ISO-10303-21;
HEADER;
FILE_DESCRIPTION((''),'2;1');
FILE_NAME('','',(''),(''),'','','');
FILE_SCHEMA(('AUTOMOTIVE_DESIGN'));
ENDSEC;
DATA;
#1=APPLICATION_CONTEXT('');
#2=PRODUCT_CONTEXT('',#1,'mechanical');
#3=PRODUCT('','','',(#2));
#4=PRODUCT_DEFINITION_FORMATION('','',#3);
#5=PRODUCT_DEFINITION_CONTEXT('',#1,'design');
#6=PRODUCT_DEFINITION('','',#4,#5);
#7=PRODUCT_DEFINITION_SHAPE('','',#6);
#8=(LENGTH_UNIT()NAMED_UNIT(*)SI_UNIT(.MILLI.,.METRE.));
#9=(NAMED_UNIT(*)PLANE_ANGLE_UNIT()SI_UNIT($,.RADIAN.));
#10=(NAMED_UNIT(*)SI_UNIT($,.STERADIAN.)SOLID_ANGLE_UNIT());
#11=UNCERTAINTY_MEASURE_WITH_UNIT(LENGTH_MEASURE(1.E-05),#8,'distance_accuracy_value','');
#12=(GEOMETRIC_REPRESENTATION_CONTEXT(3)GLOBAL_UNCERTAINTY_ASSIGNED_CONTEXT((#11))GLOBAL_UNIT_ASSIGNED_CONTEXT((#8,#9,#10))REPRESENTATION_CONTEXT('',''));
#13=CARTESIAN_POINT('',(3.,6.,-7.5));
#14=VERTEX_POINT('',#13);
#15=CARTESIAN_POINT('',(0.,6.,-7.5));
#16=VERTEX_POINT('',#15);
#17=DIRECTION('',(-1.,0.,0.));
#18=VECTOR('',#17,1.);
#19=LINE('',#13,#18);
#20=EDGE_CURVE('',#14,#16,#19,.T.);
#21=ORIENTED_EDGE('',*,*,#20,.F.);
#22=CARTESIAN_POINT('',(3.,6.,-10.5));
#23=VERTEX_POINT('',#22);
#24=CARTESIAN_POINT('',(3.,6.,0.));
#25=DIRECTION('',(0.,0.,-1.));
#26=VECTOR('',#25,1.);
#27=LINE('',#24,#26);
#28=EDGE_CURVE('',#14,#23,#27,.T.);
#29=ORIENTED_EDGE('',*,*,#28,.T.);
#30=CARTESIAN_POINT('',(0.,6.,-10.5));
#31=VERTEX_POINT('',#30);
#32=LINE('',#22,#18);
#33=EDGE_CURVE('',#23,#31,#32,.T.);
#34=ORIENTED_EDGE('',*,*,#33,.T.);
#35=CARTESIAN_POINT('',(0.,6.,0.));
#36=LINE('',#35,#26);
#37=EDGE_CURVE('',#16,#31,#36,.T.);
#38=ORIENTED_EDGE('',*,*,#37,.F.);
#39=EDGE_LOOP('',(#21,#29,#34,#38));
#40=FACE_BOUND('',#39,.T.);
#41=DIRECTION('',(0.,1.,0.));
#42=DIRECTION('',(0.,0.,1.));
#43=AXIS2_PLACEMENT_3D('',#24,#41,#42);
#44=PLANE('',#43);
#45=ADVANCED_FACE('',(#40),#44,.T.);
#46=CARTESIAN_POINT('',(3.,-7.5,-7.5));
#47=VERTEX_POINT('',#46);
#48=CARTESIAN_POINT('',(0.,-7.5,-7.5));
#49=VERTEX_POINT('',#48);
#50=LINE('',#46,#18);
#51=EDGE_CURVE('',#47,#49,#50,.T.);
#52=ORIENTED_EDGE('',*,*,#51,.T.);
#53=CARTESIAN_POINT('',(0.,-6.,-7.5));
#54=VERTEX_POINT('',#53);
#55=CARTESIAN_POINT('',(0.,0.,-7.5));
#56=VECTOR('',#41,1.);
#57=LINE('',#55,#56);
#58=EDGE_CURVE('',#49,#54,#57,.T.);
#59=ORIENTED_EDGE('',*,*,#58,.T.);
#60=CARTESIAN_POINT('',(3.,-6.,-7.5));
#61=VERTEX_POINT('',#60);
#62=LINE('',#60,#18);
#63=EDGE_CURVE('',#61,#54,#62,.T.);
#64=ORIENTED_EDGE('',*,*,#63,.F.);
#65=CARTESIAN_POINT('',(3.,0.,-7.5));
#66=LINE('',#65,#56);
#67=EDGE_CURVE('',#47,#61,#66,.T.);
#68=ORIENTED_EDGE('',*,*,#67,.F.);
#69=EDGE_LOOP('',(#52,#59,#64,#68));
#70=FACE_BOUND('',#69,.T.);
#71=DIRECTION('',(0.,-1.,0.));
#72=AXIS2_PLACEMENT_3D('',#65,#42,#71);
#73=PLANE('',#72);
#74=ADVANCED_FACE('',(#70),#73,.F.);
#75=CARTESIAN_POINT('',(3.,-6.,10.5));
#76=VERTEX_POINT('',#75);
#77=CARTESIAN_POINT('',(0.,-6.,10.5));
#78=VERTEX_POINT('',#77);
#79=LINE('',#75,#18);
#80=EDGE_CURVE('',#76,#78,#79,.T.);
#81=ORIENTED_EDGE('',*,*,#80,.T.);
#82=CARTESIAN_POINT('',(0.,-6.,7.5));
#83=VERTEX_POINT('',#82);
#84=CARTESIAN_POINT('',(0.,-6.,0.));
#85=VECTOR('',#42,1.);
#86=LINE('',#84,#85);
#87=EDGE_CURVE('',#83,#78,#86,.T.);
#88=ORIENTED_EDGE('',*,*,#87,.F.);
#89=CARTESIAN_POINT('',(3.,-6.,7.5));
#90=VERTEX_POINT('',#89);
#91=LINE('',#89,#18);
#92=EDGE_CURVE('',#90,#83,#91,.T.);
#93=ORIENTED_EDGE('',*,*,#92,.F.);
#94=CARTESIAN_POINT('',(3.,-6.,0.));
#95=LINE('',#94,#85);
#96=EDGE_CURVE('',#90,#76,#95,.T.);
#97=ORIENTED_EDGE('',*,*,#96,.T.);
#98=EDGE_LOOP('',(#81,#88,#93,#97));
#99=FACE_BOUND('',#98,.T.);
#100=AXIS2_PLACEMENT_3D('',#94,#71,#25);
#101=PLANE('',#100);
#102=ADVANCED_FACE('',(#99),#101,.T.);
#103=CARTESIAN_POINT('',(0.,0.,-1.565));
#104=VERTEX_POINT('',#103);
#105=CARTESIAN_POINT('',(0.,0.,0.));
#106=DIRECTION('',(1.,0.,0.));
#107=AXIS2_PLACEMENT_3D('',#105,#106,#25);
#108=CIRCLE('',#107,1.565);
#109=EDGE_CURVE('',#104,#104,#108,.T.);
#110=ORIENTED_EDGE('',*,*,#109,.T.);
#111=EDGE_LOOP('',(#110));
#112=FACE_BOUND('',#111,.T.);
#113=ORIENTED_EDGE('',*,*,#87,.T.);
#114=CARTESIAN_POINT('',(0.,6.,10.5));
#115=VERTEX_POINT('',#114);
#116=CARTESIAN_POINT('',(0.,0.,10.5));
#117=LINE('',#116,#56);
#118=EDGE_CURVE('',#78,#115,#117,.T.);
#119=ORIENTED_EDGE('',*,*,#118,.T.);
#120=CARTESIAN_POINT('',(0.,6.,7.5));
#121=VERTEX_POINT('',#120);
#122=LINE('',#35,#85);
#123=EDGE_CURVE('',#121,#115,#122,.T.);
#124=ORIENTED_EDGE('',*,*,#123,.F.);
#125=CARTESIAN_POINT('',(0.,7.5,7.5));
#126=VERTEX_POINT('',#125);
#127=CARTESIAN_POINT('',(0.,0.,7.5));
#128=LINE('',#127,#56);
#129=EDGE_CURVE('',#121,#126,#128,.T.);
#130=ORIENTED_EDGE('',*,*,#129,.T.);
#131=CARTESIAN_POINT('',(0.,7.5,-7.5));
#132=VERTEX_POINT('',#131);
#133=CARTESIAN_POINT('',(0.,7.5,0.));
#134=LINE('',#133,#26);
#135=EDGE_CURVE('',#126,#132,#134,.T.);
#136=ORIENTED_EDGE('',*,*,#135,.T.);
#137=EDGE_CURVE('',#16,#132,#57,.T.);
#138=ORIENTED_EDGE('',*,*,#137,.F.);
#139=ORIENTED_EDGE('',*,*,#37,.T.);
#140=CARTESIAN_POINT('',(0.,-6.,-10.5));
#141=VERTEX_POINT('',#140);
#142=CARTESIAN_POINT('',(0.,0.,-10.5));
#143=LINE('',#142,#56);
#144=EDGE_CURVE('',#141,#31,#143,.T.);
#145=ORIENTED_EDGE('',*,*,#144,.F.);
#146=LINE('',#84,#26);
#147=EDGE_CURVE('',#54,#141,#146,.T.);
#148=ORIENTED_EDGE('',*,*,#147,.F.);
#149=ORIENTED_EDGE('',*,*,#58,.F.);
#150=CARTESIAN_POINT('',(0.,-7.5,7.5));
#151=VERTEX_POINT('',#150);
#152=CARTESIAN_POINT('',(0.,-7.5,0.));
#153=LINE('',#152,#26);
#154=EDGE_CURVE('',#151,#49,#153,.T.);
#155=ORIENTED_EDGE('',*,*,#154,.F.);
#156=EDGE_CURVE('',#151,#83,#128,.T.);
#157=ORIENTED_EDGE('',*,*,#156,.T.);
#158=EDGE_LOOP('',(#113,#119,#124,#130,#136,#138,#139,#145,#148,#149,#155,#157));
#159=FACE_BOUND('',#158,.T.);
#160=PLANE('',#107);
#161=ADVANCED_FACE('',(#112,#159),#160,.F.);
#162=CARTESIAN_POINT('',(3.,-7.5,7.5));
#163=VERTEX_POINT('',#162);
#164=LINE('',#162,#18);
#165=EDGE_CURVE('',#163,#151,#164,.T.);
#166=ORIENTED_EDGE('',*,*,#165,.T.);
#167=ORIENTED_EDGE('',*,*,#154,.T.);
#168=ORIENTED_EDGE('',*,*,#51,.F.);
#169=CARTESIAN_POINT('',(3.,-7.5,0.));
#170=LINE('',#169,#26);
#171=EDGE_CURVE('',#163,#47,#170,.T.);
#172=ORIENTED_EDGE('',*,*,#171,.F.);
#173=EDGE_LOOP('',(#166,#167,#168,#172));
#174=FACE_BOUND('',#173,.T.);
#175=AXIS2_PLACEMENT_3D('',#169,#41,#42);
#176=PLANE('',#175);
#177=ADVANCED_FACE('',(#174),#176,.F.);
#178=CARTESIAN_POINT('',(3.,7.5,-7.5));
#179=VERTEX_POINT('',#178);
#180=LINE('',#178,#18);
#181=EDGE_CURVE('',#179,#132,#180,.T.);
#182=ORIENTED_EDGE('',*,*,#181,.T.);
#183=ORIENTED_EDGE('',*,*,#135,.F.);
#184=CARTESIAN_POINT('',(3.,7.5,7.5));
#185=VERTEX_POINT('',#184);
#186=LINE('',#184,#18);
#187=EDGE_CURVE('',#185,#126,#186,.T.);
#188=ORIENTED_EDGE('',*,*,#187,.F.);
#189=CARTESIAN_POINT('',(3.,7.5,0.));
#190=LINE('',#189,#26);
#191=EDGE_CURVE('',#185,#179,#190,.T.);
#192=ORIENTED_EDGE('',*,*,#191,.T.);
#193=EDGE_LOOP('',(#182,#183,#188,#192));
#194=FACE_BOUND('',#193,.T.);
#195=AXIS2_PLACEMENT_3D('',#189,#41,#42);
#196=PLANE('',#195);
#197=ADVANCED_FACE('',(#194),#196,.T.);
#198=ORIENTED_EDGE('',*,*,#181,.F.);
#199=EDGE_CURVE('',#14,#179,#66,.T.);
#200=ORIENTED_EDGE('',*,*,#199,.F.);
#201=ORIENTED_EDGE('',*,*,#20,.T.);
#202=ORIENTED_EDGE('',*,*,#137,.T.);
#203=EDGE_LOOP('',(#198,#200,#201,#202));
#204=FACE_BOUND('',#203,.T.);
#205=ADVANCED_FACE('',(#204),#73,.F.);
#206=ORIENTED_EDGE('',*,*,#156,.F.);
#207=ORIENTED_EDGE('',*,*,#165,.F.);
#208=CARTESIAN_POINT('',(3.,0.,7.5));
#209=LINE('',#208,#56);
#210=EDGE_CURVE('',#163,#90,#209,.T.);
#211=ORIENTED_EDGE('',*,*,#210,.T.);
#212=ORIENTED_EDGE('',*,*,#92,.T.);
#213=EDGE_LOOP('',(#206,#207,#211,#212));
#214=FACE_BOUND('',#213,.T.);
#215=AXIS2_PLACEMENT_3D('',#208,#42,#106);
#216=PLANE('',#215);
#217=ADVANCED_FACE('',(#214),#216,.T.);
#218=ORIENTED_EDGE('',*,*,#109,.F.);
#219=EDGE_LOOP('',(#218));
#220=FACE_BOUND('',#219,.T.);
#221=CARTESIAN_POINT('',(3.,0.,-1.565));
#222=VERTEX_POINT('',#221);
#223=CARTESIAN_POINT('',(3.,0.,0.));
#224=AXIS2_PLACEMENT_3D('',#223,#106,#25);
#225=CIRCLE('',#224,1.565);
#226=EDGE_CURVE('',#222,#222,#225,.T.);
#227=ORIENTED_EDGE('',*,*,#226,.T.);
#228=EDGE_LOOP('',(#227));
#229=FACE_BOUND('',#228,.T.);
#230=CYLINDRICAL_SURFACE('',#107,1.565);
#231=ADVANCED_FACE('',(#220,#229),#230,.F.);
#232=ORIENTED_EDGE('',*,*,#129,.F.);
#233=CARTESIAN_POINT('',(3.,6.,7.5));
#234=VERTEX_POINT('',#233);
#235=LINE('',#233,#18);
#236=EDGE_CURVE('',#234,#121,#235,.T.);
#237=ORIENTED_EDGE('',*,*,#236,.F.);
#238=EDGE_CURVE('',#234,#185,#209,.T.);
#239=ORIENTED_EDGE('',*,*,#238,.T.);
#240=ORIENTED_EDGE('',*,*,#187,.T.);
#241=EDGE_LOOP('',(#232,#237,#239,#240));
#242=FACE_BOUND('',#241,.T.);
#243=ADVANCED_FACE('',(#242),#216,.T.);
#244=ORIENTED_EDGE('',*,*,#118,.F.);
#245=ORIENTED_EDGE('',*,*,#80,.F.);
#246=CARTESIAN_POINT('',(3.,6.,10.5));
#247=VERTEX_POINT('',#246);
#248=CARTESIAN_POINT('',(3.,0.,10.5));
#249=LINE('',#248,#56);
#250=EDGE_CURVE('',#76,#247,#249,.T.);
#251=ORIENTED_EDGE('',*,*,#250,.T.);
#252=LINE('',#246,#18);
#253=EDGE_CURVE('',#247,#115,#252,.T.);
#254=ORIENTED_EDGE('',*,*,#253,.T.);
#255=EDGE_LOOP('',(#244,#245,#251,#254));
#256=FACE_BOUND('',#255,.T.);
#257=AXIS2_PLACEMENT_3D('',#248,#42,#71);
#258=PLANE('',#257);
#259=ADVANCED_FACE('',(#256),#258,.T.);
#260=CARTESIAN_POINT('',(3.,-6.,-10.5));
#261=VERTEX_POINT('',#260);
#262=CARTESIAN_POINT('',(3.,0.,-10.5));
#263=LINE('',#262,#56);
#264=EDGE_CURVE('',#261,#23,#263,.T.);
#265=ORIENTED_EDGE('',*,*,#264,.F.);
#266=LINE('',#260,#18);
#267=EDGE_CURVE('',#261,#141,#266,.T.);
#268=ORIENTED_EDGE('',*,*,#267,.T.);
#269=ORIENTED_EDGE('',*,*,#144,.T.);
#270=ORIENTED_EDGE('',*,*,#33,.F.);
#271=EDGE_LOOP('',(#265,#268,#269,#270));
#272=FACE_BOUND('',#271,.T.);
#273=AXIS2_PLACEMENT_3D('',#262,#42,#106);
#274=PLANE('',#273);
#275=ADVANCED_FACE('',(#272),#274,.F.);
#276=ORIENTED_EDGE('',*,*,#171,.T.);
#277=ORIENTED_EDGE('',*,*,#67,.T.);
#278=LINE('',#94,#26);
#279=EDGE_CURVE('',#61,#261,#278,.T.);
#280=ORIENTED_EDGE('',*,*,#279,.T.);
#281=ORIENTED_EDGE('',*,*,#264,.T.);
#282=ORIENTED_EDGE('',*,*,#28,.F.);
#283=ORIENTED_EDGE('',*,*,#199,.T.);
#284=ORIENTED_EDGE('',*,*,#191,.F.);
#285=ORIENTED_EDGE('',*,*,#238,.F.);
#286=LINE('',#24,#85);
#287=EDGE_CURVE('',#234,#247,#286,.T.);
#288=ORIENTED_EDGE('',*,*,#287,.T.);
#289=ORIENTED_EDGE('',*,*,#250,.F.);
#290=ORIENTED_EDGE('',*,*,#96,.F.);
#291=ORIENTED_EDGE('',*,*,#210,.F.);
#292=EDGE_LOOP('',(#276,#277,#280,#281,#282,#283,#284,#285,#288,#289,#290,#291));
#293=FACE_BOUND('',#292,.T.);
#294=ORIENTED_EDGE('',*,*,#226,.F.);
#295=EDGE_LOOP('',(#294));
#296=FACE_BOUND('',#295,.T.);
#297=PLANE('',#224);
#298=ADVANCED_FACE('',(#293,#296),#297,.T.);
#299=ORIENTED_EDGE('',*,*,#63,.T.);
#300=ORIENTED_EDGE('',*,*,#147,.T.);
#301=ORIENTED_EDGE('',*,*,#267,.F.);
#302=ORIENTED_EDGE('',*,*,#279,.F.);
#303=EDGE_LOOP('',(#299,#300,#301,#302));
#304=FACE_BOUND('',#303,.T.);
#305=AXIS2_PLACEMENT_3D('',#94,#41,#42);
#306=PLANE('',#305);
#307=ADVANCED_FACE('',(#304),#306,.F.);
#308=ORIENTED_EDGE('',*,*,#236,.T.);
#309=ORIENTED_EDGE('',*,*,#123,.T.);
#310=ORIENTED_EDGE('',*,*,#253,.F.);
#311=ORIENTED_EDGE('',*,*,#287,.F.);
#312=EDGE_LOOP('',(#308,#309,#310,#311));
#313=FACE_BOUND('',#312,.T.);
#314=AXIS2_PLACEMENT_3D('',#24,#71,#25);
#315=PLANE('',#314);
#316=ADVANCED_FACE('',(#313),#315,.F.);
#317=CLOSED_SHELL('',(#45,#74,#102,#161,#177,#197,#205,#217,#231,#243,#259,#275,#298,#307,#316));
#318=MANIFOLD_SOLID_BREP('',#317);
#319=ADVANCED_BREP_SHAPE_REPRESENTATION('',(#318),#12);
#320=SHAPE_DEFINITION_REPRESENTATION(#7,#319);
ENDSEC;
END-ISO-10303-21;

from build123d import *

# Parameters (mm, degrees)
SKICA1_W                 = 3
SKICA1_H                 = 12
SKICA1_W_2               = 15
SKICA1_H_2               = 15
P_IDAT_VYSUNUT_M1_DEPTH  = 3
SKICA2_R                 = 1.565
ODEBRAT_VYSUNUT_M1_DEPTH = 3


with BuildPart() as part:
    # Skica1 → Přidat vysunutím1 (new body)
    with BuildSketch(Plane(origin=(0, 0, 0), x_dir=(0, 0, -1), z_dir=(1, 0, 0))):
        with Locations((9, 0)):
            Rectangle(SKICA1_W, SKICA1_H)
        Rectangle(SKICA1_W_2, SKICA1_H_2)
        with Locations((-9, 0)):
            Rectangle(SKICA1_W, SKICA1_H)
    extrude(amount=P_IDAT_VYSUNUT_M1_DEPTH)

    # Skica2 → Odebrat vysunutím1 (cut)
    with BuildSketch(Plane(origin=(3, 0, 0), x_dir=(0, 0, -1), z_dir=(1, 0, 0))):
        Circle(SKICA2_R)
    extrude(amount=-ODEBRAT_VYSUNUT_M1_DEPTH, mode=Mode.SUBTRACT)


solid = part.part
